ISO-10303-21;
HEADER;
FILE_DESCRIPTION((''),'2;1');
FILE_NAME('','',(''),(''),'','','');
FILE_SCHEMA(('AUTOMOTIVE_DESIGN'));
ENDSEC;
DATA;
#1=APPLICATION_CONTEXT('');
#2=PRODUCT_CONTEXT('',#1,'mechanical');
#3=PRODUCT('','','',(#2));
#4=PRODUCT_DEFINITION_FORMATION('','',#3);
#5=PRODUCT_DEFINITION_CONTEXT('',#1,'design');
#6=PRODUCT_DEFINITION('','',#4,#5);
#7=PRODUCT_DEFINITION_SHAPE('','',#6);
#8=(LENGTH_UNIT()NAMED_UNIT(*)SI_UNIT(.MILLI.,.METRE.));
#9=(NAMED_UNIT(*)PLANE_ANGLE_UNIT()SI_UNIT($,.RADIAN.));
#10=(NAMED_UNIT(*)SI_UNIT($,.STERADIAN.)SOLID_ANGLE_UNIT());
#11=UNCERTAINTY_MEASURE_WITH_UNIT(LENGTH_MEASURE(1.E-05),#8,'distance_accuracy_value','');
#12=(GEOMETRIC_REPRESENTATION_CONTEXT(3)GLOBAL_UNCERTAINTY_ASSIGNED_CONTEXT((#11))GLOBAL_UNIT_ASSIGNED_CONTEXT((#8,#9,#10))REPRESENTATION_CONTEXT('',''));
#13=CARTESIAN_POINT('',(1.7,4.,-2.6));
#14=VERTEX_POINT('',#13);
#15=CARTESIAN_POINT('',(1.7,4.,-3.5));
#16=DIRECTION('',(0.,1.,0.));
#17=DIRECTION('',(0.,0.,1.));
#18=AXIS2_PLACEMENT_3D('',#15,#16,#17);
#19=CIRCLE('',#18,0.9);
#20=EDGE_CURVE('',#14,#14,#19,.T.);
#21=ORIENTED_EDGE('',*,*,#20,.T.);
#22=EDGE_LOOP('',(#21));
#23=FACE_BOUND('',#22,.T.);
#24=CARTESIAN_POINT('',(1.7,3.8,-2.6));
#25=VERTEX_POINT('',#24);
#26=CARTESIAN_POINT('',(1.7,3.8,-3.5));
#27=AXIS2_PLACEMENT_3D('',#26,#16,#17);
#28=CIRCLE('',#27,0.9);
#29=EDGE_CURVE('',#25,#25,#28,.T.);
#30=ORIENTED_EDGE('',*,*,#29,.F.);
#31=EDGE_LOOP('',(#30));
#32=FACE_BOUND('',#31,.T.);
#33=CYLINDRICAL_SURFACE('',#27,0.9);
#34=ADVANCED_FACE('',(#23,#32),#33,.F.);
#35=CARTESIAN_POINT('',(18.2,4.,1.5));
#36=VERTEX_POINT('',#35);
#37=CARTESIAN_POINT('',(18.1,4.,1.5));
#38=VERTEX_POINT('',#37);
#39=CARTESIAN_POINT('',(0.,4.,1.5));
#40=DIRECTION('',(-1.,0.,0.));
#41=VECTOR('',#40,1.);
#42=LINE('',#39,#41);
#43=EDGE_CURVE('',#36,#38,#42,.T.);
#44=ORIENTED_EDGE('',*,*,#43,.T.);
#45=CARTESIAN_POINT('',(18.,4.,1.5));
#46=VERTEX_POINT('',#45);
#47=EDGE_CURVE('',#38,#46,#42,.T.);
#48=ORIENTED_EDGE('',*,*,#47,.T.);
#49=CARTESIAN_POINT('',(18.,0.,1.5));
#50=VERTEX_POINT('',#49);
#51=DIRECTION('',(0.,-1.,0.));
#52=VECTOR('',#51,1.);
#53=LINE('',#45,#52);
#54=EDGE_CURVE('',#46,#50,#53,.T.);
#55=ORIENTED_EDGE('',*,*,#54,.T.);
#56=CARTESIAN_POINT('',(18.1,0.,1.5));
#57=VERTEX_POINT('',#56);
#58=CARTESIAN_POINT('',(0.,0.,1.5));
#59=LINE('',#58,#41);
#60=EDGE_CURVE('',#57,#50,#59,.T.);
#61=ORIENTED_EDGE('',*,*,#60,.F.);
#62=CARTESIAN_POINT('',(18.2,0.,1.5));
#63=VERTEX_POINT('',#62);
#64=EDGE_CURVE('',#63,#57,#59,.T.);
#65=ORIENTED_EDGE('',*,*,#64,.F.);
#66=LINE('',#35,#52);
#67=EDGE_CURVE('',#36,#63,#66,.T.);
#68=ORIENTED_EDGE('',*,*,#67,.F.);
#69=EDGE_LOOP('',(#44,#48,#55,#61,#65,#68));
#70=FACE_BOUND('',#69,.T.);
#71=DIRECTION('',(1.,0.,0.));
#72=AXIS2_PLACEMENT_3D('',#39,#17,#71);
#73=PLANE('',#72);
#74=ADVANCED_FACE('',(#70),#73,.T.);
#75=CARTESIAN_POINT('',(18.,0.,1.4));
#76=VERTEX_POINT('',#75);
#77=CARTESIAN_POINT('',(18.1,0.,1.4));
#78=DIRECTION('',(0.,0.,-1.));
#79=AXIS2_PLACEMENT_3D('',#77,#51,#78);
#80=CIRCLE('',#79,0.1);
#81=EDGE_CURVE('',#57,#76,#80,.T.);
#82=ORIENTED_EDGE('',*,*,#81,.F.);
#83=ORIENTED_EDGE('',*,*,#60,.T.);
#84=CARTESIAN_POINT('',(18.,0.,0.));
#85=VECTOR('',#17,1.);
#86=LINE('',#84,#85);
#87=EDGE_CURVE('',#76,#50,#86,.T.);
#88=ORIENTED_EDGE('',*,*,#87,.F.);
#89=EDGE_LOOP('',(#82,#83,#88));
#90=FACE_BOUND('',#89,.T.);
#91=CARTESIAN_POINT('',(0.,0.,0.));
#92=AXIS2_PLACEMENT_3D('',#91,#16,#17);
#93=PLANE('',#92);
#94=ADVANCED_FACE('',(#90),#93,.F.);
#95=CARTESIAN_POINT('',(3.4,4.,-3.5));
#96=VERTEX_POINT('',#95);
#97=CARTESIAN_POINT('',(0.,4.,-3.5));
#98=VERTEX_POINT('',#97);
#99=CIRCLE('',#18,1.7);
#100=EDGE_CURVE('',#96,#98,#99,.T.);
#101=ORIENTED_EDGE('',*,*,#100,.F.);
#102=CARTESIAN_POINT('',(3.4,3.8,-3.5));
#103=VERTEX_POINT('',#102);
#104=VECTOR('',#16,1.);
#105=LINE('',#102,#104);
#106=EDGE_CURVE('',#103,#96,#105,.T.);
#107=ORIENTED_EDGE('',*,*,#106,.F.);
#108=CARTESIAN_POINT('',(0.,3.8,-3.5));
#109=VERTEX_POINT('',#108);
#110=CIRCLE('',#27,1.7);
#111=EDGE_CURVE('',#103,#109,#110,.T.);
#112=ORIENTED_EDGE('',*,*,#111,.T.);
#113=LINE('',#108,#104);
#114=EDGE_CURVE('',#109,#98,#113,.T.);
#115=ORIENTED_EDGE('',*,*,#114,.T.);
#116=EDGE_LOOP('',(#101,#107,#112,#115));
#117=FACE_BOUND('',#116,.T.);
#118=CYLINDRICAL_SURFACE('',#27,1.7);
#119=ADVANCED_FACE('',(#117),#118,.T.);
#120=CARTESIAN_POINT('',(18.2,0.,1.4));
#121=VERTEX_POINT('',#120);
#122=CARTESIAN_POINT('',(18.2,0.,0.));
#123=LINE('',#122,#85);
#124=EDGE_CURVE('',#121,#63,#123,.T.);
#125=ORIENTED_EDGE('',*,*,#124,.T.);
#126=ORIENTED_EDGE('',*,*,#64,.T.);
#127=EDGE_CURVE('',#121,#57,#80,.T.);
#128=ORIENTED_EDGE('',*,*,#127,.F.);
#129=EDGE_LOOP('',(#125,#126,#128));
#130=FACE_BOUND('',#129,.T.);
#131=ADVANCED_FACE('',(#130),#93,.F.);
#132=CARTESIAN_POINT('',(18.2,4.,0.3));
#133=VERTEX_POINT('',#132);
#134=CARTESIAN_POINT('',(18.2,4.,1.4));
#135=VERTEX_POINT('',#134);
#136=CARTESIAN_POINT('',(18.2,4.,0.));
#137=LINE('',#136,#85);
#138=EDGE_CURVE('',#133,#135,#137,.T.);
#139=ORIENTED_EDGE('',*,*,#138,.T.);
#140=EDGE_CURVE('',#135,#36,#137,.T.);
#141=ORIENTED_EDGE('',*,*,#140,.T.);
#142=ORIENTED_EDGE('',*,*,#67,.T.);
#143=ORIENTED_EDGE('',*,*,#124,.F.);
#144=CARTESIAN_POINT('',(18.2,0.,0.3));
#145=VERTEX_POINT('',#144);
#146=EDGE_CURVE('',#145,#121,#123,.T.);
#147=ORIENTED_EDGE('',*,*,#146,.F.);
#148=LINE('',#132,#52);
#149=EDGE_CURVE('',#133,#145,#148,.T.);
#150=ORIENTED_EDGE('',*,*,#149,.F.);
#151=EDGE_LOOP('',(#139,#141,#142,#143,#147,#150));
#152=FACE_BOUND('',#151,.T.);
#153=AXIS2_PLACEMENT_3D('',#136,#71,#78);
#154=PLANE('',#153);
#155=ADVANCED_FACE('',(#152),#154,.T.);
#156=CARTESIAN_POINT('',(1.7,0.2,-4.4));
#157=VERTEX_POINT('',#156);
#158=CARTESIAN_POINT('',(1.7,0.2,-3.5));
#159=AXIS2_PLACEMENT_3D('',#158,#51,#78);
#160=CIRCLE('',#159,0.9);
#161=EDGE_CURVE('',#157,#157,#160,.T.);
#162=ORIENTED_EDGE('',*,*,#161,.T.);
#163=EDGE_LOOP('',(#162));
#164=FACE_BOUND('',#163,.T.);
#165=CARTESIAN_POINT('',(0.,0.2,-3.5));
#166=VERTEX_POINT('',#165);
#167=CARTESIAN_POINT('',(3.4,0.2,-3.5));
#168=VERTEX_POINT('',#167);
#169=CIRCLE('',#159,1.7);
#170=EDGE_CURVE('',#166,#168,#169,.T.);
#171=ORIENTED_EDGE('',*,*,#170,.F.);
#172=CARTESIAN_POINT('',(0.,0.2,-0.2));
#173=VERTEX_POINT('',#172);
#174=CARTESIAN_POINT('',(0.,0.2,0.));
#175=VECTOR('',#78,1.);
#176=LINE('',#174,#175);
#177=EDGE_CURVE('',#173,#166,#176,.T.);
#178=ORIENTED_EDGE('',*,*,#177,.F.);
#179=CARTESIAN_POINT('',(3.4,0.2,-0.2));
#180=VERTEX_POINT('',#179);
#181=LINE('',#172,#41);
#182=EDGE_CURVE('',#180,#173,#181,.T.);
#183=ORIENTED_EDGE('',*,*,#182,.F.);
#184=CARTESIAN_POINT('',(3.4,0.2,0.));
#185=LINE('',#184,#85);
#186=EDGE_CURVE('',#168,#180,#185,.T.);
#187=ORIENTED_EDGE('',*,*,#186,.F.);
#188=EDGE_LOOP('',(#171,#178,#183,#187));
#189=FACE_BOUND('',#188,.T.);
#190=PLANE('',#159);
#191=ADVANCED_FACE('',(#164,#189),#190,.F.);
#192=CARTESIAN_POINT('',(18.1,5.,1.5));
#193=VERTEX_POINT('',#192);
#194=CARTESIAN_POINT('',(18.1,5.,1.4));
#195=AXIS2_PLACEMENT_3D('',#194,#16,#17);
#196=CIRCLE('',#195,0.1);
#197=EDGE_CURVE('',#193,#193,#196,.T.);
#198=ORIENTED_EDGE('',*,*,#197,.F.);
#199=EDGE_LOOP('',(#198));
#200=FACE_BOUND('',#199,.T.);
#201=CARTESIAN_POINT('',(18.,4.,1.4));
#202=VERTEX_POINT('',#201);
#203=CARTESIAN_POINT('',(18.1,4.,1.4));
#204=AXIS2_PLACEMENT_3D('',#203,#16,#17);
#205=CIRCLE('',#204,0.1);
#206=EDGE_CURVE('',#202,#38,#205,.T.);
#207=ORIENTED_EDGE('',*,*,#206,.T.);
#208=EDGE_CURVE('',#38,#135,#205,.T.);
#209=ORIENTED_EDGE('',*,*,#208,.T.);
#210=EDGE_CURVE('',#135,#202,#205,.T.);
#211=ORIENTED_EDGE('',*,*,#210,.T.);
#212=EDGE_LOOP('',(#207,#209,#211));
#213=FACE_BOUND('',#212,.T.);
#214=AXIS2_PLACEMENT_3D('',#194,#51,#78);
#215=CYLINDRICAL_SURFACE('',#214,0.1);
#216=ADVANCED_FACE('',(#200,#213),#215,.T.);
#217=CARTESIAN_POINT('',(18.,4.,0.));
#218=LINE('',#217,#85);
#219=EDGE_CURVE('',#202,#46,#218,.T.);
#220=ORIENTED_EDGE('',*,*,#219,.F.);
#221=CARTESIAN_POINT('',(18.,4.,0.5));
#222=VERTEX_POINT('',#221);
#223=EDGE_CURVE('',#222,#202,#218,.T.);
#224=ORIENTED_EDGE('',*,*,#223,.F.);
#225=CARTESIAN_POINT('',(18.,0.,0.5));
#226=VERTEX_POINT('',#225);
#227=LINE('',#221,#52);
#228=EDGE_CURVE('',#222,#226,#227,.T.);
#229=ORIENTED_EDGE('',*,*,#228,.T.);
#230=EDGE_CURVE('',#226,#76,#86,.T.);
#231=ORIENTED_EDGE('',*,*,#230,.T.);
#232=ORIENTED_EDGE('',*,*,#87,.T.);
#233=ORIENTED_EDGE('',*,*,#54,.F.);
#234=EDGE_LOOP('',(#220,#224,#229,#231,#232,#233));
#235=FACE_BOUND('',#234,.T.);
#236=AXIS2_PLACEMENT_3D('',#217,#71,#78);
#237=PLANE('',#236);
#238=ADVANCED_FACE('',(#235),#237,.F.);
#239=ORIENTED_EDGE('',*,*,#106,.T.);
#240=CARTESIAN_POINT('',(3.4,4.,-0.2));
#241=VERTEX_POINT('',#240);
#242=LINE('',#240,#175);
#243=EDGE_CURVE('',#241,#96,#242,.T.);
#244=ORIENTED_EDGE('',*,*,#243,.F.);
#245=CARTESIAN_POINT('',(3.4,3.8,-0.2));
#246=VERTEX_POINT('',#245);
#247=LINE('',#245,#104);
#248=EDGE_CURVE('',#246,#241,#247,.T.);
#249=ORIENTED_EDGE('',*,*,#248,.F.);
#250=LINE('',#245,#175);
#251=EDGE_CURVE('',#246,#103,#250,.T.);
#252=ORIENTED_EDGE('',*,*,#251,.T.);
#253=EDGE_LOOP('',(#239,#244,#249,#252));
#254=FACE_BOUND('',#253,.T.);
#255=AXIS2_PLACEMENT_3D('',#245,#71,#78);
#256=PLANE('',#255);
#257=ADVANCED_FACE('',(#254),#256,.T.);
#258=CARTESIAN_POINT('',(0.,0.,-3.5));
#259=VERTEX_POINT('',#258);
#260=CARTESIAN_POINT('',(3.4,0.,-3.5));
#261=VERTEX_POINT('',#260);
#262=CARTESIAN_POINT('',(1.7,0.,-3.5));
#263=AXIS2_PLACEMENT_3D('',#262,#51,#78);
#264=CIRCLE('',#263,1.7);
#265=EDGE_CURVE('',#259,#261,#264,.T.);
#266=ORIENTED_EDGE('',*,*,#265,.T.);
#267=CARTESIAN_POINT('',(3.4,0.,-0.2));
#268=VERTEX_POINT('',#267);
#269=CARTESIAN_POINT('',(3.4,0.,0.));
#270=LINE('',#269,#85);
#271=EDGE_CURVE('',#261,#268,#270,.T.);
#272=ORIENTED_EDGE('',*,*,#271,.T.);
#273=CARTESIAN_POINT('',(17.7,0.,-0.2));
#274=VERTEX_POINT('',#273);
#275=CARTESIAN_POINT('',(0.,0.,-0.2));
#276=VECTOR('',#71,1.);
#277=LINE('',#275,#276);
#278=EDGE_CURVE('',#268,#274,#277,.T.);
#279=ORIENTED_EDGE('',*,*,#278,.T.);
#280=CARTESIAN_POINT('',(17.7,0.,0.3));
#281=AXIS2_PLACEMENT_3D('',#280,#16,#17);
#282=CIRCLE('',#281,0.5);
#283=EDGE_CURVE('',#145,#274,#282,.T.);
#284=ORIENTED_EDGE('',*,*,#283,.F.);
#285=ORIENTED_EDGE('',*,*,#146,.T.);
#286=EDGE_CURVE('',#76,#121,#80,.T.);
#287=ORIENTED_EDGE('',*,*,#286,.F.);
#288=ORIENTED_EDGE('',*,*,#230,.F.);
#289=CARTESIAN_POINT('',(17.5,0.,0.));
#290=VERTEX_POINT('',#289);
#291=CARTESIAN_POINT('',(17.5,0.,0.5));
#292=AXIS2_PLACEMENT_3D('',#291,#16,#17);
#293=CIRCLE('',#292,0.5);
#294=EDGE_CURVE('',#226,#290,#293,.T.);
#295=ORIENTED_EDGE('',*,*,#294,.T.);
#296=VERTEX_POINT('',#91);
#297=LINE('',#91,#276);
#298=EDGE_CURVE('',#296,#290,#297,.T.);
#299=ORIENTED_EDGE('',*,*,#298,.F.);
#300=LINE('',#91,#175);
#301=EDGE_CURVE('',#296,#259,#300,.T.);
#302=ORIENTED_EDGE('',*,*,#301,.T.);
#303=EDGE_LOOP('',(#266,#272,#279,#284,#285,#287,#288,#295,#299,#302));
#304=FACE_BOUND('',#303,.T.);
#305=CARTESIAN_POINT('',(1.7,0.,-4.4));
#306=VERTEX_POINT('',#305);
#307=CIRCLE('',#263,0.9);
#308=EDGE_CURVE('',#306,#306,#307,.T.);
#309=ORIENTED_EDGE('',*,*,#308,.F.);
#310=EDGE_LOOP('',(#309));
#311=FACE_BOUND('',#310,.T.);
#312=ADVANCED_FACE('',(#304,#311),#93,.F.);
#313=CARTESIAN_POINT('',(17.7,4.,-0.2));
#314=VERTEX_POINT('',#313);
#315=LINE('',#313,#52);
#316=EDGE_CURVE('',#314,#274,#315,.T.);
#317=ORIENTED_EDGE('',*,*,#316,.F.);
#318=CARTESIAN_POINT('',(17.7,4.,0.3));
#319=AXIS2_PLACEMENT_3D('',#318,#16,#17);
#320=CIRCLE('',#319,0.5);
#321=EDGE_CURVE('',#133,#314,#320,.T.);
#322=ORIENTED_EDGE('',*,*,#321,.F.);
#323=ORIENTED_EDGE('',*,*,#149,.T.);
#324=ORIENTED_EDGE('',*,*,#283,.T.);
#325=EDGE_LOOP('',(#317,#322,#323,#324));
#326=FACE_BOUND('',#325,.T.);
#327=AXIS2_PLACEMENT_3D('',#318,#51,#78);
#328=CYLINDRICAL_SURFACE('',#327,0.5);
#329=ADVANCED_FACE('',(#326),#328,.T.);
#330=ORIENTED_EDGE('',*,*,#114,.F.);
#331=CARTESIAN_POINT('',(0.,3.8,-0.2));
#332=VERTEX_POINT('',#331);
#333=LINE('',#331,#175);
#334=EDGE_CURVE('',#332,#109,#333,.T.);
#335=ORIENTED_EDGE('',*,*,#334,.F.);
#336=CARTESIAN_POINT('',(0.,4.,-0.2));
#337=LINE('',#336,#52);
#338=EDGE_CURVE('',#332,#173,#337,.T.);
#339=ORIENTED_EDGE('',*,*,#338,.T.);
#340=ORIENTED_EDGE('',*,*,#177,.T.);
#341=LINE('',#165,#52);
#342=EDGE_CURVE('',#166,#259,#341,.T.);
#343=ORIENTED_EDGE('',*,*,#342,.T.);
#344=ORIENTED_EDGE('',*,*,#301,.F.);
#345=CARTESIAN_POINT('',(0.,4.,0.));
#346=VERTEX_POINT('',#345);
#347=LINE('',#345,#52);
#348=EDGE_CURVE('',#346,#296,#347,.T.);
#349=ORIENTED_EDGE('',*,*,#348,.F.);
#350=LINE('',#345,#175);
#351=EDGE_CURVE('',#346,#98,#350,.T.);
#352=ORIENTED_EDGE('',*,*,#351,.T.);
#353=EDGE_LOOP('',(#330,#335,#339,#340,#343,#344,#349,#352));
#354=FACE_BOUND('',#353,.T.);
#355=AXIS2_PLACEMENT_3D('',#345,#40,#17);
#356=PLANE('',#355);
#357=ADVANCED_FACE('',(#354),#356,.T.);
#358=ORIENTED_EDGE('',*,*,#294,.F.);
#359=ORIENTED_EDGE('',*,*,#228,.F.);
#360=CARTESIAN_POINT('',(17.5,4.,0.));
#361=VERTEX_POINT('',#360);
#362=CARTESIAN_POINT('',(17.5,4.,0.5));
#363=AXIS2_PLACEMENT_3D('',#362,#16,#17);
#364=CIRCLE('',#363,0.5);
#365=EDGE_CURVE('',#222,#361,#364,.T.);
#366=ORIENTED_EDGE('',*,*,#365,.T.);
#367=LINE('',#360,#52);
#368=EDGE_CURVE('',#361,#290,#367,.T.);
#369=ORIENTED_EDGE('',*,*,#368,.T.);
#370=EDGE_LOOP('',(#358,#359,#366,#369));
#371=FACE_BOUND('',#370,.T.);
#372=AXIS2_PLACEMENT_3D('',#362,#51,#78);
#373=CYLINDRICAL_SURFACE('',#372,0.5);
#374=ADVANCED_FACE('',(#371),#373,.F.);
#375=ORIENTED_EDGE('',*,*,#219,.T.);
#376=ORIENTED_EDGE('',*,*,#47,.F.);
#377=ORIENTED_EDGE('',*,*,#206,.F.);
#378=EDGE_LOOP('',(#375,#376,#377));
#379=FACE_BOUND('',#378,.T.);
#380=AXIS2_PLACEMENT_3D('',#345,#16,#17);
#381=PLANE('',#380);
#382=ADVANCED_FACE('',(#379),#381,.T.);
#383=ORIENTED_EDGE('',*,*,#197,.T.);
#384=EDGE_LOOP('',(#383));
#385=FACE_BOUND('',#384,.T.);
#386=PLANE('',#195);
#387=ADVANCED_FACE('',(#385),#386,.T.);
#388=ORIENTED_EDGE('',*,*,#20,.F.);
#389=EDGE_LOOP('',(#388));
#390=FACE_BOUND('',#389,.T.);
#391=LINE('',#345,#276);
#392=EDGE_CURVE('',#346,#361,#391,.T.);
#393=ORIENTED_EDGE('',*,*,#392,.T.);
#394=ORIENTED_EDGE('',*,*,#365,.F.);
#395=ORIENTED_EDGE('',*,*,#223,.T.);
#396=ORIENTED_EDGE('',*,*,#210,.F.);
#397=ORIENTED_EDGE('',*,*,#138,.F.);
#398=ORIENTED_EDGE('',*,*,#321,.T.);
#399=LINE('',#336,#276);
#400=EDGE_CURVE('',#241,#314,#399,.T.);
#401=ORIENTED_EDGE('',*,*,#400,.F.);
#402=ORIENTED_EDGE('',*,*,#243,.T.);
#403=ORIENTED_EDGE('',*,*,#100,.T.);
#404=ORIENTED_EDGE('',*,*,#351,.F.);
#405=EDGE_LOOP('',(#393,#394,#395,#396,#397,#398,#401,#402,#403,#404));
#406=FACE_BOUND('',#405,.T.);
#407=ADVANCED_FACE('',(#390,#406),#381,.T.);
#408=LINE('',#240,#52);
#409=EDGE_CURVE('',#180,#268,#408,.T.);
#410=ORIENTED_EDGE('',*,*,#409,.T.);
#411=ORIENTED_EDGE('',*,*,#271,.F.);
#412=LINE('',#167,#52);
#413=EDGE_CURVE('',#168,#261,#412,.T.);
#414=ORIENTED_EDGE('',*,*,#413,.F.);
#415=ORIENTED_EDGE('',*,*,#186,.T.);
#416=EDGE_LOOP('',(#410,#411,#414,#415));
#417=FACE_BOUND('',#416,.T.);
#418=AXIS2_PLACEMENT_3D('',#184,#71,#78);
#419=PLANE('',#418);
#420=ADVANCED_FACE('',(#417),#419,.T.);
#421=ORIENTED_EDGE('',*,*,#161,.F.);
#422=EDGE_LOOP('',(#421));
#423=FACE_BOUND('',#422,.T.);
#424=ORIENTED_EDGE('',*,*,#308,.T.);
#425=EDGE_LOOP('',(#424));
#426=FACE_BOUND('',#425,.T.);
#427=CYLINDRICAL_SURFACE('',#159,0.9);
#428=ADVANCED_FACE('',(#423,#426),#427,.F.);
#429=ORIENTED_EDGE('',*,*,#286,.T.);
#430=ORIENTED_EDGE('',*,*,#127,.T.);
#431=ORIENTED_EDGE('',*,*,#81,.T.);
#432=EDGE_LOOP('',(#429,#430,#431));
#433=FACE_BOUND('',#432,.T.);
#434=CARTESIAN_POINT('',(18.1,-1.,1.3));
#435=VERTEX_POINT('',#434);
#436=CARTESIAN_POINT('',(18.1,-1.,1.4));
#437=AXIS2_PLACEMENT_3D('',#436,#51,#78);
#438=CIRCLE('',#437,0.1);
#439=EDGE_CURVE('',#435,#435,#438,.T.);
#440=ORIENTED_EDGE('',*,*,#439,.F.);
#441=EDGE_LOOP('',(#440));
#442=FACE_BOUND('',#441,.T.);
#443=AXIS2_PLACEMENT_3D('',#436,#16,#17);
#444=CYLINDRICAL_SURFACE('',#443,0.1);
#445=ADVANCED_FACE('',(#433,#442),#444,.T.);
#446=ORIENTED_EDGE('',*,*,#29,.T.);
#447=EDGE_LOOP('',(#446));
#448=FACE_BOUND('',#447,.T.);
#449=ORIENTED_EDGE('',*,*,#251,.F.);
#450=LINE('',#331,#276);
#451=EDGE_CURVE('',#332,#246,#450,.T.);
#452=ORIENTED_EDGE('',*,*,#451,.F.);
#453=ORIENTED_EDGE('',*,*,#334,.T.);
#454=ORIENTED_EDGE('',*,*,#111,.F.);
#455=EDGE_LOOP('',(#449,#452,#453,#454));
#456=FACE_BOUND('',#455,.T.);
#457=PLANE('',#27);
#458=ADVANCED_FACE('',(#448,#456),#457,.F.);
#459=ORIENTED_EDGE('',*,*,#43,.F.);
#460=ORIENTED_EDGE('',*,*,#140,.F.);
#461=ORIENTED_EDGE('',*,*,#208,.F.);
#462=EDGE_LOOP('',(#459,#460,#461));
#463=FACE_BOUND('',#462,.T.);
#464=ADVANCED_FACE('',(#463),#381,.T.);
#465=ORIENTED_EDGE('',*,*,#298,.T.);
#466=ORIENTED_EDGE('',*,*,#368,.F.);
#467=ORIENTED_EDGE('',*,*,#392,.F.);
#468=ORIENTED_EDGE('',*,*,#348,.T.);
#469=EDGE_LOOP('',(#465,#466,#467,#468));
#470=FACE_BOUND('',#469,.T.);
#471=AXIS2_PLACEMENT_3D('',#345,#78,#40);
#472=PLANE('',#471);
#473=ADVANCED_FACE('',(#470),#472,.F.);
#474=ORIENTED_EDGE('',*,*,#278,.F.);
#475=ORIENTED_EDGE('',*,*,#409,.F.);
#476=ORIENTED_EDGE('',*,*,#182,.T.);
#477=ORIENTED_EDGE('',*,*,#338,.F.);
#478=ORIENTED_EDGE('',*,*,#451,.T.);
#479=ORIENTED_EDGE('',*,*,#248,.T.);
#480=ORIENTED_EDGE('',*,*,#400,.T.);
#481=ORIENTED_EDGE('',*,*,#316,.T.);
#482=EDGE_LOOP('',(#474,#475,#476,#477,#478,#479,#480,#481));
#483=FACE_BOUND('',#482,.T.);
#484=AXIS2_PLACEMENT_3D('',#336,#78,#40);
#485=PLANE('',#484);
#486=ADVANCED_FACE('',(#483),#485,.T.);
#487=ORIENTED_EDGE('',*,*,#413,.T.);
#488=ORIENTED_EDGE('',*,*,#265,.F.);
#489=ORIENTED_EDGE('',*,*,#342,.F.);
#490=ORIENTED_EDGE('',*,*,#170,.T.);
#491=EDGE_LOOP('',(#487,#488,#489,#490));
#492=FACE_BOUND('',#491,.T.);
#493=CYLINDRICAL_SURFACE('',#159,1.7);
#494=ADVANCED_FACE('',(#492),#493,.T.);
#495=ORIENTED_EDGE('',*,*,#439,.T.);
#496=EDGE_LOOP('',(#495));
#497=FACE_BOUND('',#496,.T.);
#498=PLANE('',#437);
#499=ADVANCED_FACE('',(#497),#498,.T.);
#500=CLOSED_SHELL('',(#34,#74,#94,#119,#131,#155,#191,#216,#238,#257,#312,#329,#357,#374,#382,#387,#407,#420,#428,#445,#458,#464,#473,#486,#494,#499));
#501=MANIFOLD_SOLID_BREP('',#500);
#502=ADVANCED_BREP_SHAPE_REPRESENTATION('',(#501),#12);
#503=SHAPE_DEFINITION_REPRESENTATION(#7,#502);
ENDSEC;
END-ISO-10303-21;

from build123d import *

# Parameters (mm, degrees)
SALIENTE_EXTRUIR1_DEPTH = 4
CROQUIS2_R              = 0.9
SALIENTE_EXTRUIR3_DEPTH = 0.2
SALIENTE_EXTRUIR4_START = -0.2
CROQUIS3_R              = 0.9
SALIENTE_EXTRUIR4_DEPTH = 0.2
CROQUIS4_R              = 0.1
SALIENTE_EXTRUIR5_DEPTH = 1
SALIENTE_EXTRUIR6_START = 1
CROQUIS5_R              = 0.1
SALIENTE_EXTRUIR6_DEPTH = 1


with BuildPart() as part:
    # Croquis1 → Saliente-Extruir1 (new body)
    with BuildSketch(Plane(origin=(0, 0, 0), x_dir=(1, 0, 0), z_dir=(0, 1, 0))):
        with BuildLine():
            Line((18.2, -0.3), (18.2, -1.5))
            Line((18.2, -1.5), (18, -1.5))
            Line((18, -1.5), (18, -0.5))
            ThreePointArc((18, -0.5), (17.853553391, -0.146446609), (17.5, 0))
            Line((17.5, 0), (0, 0))
            Line((0, 0), (0, 0.2))
            Line((0, 0.2), (17.7, 0.2))
            ThreePointArc((17.7, 0.2), (18.053553391, 0.053553391), (18.2, -0.3))
        make_face()
    extrude(amount=SALIENTE_EXTRUIR1_DEPTH)

    # Croquis2 → Saliente-Extruir3 (add)
    with BuildSketch(Plane(origin=(0, 4, 0), x_dir=(1, 0, 0), z_dir=(0, 1, 0))):
        with BuildLine():
            Line((0, 0.2), (3.4, 0.2))
            Line((3.4, 0.2), (3.4, 3.5))
            ThreePointArc((3.4, 3.5), (1.7, 5.2), (0, 3.5))
            Line((0, 3.5), (0, 0.2))
        make_face()
        with Locations(Location((1.7, 3.5, 0), (0, 0, 270))):
            Circle(CROQUIS2_R, mode=Mode.SUBTRACT)
    extrude(amount=-SALIENTE_EXTRUIR3_DEPTH)

    # Croquis3 → Saliente-Extruir4 (add)
    with BuildSketch(Plane(origin=(0, 0, 0), x_dir=(-1, 0, 0), z_dir=(0, -1, 0)).offset(SALIENTE_EXTRUIR4_START)):
        with BuildLine():
            Line((0, 0), (-3.4, 0))
            Line((-3.4, 0), (-3.4, 3.5))
            ThreePointArc((-3.4, 3.5), (-1.7, 5.2), (0, 3.5))
            Line((0, 3.5), (0, 0))
        make_face()
        with Locations(Location((-1.7, 3.5, 0), (0, 0, 270))):
            Circle(CROQUIS3_R, mode=Mode.SUBTRACT)
    extrude(amount=SALIENTE_EXTRUIR4_DEPTH)

    # Croquis4 → Saliente-Extruir5 (add)
    with BuildSketch(Plane(origin=(0, 4, 0), x_dir=(1, 0, 0), z_dir=(0, 1, 0))):
        with Locations(Location((18.1, -1.4, 0), (0, 0, 270))):
            Circle(CROQUIS4_R)
    extrude(amount=SALIENTE_EXTRUIR5_DEPTH)

    # Croquis5 → Saliente-Extruir6 (add)
    with BuildSketch(Plane(origin=(0, 0, 0), x_dir=(-1, 0, 0), z_dir=(0, -1, 0)).offset(SALIENTE_EXTRUIR6_START)):
        with Locations(Location((-18.1, -1.4, 0), (0, 0, 270))):
            Circle(CROQUIS5_R)
    extrude(amount=-SALIENTE_EXTRUIR6_DEPTH)


solid = part.part
